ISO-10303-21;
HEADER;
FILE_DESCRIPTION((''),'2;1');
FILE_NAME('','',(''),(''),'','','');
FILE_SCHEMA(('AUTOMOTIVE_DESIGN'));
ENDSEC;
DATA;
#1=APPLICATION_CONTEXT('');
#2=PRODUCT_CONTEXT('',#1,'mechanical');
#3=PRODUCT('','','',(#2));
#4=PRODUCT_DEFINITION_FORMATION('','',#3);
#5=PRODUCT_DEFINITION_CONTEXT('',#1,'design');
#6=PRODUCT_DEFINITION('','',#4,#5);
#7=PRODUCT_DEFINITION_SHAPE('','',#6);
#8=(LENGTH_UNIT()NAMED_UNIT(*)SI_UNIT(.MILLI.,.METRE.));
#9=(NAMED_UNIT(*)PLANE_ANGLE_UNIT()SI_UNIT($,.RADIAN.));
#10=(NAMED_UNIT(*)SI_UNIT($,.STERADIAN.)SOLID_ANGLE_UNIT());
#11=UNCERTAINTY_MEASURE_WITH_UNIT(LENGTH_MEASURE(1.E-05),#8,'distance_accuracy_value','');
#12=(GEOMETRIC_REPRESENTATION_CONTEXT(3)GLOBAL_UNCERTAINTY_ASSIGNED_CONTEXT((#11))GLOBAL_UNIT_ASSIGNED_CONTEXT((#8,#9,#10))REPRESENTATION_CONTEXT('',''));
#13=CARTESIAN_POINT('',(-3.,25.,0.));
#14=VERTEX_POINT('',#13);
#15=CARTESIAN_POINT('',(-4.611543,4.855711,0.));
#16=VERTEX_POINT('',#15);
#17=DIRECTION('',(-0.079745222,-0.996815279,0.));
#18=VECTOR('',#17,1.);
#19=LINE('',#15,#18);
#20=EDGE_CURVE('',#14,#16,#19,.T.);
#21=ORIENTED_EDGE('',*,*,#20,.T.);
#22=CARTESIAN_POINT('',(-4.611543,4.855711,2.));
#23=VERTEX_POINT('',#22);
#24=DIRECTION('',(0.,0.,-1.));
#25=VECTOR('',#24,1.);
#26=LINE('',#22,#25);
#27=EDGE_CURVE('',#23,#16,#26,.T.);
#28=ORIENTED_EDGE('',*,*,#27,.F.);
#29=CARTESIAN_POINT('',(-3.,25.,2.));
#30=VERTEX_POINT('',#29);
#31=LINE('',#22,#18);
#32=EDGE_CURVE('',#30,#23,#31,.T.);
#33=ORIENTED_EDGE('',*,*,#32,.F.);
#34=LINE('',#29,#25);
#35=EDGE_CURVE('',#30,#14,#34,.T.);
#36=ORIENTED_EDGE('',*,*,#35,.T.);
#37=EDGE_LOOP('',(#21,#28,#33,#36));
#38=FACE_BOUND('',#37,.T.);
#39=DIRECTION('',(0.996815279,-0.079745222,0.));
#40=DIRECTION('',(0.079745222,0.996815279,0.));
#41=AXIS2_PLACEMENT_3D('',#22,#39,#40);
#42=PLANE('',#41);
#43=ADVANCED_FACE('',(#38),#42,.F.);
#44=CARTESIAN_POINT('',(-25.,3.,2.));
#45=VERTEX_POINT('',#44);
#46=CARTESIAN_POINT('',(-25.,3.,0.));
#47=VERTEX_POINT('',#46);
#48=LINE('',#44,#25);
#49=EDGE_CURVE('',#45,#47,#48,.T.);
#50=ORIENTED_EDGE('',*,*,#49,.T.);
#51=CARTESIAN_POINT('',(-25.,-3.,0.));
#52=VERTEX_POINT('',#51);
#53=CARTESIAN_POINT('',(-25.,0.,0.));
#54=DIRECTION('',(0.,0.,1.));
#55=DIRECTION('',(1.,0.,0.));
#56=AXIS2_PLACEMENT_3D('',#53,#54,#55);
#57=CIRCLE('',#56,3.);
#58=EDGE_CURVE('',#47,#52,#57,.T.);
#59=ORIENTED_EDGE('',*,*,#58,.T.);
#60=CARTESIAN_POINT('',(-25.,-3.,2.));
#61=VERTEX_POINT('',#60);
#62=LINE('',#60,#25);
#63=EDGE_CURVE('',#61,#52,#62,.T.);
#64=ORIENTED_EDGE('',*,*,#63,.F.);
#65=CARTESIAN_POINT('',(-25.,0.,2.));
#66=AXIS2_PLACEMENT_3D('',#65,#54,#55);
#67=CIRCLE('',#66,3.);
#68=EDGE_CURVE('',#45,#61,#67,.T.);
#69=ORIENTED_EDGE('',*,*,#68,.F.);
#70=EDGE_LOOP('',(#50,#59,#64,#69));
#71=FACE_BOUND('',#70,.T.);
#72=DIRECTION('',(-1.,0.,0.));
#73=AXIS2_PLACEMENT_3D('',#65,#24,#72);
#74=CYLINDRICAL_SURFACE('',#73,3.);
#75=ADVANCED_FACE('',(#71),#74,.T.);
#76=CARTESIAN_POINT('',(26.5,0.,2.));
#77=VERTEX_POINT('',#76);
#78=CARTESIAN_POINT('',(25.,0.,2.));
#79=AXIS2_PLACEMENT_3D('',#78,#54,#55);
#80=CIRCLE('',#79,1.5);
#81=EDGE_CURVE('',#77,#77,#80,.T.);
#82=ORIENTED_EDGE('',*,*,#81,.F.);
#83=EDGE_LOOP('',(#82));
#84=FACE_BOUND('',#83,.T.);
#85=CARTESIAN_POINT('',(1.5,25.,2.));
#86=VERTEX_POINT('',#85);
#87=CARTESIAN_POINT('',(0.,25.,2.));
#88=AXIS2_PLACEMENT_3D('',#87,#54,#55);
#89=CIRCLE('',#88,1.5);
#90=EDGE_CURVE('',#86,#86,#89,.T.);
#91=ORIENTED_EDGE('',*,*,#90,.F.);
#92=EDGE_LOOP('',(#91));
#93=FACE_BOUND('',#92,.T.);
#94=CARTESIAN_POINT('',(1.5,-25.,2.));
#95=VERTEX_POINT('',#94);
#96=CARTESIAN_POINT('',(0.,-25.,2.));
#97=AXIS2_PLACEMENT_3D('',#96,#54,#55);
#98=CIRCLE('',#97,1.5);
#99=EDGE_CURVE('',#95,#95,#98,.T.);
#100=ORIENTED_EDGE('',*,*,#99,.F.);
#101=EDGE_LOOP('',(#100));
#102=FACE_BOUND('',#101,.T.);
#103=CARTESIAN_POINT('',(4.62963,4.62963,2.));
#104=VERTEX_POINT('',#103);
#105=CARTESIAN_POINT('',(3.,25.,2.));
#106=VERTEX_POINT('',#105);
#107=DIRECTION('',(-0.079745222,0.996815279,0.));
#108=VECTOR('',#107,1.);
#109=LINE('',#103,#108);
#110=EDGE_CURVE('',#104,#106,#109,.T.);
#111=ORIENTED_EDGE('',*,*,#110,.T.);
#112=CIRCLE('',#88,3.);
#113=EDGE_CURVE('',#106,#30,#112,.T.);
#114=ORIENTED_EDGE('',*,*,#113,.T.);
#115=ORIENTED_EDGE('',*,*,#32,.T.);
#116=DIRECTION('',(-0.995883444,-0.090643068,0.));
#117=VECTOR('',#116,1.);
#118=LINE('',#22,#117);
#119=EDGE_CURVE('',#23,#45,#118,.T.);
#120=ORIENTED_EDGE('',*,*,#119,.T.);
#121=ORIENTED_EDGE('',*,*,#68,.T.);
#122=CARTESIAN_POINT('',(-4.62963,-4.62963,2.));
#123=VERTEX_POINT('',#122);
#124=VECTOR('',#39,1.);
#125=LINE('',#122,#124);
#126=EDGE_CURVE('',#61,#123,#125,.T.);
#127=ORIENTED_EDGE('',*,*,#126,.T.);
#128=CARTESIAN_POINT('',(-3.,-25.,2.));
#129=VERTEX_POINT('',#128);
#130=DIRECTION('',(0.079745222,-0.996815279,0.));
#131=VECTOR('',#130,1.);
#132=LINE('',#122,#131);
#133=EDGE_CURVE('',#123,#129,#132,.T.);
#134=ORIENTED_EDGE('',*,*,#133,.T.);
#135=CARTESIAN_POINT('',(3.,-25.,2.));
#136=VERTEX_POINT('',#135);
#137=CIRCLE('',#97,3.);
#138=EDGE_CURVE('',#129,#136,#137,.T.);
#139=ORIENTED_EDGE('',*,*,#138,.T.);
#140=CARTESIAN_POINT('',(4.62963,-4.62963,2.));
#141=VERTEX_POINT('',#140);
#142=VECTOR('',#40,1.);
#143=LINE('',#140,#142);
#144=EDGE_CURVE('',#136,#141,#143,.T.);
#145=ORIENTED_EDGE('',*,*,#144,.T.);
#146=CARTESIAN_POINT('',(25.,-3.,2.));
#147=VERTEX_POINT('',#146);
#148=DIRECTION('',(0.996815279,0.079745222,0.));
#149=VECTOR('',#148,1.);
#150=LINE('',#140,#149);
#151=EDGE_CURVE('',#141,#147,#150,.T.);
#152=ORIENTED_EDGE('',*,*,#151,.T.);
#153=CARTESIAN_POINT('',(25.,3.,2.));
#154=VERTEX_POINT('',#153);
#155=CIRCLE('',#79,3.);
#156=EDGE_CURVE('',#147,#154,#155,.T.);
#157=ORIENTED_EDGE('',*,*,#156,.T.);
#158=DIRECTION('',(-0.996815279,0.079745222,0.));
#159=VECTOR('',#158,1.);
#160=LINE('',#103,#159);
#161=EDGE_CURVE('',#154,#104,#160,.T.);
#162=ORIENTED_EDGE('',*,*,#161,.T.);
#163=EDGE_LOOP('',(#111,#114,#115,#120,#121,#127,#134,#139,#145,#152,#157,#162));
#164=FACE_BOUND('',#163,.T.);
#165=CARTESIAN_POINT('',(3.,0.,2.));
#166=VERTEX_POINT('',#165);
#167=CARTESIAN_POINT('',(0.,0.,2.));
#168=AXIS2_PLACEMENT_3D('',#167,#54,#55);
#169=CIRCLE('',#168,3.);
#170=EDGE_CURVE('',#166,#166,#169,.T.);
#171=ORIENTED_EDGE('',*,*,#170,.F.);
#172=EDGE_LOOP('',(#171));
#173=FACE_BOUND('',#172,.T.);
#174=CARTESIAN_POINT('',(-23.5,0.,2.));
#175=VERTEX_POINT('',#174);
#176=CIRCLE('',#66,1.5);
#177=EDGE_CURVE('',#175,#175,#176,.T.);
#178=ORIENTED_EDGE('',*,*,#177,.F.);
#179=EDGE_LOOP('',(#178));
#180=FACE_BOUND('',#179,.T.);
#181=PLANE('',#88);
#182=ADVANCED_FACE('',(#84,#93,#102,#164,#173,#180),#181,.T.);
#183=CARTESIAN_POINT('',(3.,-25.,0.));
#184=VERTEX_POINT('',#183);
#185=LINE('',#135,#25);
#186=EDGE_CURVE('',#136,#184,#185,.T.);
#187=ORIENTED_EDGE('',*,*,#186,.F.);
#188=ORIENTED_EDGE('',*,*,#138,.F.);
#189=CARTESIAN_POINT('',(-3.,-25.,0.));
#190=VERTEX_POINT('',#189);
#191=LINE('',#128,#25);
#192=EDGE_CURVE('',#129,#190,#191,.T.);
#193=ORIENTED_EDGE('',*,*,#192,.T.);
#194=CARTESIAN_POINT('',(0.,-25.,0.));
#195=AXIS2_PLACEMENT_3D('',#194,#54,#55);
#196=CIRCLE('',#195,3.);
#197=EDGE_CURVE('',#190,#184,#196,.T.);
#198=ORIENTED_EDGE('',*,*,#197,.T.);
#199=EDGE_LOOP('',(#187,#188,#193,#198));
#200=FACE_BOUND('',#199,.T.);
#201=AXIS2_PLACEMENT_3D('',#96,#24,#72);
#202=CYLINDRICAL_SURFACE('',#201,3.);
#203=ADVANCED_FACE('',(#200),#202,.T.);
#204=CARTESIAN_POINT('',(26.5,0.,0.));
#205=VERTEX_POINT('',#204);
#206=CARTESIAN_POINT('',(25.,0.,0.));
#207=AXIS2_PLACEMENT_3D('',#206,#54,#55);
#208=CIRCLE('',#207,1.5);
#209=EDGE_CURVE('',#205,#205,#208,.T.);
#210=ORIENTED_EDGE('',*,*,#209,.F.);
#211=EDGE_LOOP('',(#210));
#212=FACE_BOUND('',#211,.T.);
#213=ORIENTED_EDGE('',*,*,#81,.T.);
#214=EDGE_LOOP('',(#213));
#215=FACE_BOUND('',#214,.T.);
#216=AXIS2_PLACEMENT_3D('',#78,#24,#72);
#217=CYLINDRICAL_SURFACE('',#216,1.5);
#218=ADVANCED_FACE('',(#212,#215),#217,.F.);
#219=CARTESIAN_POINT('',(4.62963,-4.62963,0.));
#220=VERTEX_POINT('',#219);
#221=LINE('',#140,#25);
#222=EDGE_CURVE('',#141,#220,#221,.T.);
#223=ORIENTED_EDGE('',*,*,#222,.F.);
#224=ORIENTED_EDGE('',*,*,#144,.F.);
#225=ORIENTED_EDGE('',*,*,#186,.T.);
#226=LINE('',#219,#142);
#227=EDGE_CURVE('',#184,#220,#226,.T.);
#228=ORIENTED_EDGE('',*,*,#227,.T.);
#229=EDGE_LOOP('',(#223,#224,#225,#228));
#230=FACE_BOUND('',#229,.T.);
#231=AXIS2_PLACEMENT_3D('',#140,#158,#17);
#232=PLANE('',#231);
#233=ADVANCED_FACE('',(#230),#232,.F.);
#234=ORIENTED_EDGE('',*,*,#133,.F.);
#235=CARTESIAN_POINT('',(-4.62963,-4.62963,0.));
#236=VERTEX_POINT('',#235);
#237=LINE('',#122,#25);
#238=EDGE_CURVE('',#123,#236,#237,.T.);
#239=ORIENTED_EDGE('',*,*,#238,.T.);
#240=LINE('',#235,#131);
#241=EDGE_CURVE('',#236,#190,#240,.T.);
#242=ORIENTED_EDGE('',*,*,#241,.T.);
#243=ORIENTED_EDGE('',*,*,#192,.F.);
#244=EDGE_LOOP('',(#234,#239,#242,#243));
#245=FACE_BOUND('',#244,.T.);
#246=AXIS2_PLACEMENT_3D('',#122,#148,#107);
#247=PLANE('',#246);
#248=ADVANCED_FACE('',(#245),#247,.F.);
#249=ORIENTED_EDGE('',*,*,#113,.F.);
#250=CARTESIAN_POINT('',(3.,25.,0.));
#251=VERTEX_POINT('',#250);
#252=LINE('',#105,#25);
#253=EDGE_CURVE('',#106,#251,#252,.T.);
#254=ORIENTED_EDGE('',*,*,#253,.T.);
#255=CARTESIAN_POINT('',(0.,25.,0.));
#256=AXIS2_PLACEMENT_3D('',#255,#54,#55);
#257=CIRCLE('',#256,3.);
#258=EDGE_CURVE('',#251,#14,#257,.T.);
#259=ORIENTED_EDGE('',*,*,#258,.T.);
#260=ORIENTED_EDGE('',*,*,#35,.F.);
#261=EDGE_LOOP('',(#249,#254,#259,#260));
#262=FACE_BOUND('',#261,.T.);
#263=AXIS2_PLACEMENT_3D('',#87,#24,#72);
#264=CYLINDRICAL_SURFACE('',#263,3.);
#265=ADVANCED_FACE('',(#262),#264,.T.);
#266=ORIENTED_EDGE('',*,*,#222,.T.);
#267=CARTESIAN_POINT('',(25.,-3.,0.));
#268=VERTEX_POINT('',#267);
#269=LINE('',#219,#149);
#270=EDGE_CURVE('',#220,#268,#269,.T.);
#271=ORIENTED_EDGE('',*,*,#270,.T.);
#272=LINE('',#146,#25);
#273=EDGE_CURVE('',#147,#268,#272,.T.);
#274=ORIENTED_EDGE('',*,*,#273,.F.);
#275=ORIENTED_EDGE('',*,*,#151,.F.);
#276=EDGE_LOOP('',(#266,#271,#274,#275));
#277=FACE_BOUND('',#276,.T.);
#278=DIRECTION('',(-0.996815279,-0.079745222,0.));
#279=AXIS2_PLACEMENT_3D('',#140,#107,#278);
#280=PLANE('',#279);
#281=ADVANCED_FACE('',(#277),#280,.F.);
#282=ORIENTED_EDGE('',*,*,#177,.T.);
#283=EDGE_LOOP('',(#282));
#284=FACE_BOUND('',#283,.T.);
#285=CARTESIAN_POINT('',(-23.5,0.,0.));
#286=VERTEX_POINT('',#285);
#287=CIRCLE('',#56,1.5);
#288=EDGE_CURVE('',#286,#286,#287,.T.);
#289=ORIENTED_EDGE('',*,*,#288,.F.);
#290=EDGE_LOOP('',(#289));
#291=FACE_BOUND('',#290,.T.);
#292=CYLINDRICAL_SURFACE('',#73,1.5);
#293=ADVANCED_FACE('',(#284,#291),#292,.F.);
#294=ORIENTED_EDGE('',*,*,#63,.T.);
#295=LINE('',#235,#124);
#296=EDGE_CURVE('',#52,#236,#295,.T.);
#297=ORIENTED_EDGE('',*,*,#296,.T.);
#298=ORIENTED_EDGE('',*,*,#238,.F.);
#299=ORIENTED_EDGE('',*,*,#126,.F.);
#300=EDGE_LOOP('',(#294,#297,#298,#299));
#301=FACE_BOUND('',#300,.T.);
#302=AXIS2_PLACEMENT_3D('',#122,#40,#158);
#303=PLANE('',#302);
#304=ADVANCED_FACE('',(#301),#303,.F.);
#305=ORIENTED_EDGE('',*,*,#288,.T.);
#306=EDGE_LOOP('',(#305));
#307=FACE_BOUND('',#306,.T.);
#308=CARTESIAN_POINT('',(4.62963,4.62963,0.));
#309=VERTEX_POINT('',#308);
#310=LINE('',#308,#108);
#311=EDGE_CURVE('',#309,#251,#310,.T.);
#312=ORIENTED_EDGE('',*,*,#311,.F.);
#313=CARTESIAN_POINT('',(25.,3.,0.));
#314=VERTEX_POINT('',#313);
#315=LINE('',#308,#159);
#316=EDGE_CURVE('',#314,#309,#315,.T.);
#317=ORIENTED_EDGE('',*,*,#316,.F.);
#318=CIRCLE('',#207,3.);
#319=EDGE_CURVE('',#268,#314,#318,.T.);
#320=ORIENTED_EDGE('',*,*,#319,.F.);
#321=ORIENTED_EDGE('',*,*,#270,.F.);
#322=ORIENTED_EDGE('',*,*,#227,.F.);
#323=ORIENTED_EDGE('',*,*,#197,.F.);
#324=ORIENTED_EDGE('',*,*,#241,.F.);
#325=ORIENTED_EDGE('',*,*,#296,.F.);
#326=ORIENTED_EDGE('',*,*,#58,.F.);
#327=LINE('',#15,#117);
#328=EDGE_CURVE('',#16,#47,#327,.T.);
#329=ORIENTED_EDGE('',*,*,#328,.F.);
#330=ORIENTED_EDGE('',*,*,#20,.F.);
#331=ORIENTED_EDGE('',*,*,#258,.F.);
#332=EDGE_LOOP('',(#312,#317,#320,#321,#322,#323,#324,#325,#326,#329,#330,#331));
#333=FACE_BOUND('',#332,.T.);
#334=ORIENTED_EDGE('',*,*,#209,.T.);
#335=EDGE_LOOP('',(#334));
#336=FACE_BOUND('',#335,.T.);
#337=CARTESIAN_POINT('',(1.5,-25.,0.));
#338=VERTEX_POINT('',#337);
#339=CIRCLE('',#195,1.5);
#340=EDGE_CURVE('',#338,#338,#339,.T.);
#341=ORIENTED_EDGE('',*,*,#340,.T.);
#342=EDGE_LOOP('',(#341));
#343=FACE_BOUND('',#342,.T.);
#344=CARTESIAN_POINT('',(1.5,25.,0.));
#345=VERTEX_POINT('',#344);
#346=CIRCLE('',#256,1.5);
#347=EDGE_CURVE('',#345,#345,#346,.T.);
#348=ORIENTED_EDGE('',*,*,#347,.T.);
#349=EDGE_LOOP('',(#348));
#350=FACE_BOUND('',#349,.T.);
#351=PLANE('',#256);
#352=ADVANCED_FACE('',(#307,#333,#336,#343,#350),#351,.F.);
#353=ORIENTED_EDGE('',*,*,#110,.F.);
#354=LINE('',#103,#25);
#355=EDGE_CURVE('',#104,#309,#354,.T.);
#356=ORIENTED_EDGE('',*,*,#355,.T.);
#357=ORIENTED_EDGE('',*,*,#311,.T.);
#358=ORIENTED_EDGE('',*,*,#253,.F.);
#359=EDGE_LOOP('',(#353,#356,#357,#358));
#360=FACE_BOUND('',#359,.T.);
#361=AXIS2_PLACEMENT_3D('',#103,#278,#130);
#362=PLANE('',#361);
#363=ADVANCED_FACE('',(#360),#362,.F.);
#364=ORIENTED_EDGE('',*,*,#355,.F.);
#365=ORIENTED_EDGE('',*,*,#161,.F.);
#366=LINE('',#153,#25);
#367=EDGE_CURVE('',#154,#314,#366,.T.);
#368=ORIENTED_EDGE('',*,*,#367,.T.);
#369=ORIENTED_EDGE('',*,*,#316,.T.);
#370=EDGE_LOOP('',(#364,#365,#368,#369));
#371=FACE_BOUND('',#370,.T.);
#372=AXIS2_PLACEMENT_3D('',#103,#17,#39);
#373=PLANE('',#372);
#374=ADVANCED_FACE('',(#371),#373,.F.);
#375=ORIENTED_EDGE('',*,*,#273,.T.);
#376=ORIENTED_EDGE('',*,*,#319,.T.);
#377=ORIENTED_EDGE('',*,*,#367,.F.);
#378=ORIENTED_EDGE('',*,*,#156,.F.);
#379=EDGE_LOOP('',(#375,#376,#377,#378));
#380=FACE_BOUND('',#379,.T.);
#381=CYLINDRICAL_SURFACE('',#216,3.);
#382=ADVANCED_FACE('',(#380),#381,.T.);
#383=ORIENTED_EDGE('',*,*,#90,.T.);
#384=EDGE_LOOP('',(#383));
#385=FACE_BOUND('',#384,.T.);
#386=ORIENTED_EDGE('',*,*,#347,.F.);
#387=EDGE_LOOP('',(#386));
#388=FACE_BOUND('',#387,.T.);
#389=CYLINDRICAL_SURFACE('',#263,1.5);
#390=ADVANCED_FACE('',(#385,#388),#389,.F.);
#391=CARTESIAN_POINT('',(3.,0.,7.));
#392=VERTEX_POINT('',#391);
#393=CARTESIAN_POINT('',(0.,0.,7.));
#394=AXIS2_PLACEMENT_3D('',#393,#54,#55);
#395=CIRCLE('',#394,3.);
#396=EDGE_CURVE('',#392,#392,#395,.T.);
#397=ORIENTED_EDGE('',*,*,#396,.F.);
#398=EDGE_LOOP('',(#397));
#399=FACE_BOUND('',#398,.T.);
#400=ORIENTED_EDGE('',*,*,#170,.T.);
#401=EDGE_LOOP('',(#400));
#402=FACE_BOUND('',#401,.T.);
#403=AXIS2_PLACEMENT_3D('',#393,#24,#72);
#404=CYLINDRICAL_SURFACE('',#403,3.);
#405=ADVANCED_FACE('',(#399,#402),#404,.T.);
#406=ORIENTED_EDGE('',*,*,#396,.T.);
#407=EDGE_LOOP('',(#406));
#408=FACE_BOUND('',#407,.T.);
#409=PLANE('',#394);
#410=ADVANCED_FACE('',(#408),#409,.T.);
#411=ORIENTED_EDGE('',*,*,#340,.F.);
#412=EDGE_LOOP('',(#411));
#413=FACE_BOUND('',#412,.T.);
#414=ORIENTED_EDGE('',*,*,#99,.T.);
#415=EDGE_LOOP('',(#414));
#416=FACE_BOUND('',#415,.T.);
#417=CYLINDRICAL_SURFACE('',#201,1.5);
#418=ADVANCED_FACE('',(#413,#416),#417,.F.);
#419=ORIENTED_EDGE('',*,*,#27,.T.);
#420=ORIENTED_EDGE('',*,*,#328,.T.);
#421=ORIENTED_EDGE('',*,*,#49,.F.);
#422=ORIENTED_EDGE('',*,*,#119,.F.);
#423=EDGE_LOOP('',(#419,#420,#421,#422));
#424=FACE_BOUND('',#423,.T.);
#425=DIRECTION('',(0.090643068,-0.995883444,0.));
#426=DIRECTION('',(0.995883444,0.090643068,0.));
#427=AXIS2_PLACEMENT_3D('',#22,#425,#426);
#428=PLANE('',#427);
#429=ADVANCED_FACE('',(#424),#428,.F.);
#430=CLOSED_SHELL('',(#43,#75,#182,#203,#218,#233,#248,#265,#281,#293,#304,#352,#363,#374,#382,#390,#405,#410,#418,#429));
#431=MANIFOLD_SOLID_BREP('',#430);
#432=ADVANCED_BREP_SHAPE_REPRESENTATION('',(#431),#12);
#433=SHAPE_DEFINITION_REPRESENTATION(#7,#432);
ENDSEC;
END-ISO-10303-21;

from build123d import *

# Parameters (mm, degrees)
SKETCH1_R           = 1.5
BOSS_EXTRUDE1_DEPTH = 2
SKETCH2_R           = 3
BOSS_EXTRUDE2_DEPTH = 5


with BuildPart() as part:
    # Sketch1 → Boss-Extrude1 (new body)
    with BuildSketch(Plane.XY):
        with BuildLine():
            Line((4.62962963, 4.62962963), (25, 3))
            ThreePointArc((25, 3), (28, 0), (25, -3))
            Line((25, -3), (4.62962963, -4.62962963))
            Line((4.62962963, -4.62962963), (3, -25))
            ThreePointArc((3, -25), (0, -28), (-3, -25))
            Line((-3, -25), (-4.62962963, -4.62962963))
            Line((-4.62962963, -4.62962963), (-25, -3))
            ThreePointArc((-25, -3), (-28, 0), (-25, 3))
            Line((-25, 3), (-4.611543086, 4.855711421))
            Line((-4.611543086, 4.855711421), (-3, 25))
            ThreePointArc((-3, 25), (0, 28), (3, 25))
            Line((3, 25), (4.62962963, 4.62962963))
        make_face()
        with Locations((0, 25)):
            Circle(SKETCH1_R, mode=Mode.SUBTRACT)
        with Locations((25, 0)):
            Circle(SKETCH1_R, mode=Mode.SUBTRACT)
        with Locations((0, -25)):
            Circle(SKETCH1_R, mode=Mode.SUBTRACT)
        with Locations((-25, 0)):
            Circle(SKETCH1_R, mode=Mode.SUBTRACT)
    extrude(amount=BOSS_EXTRUDE1_DEPTH)

    # Sketch2 → Boss-Extrude2 (add)
    with BuildSketch(Plane.XY.offset(2)):
        Circle(SKETCH2_R)
    extrude(amount=BOSS_EXTRUDE2_DEPTH)


solid = part.part
